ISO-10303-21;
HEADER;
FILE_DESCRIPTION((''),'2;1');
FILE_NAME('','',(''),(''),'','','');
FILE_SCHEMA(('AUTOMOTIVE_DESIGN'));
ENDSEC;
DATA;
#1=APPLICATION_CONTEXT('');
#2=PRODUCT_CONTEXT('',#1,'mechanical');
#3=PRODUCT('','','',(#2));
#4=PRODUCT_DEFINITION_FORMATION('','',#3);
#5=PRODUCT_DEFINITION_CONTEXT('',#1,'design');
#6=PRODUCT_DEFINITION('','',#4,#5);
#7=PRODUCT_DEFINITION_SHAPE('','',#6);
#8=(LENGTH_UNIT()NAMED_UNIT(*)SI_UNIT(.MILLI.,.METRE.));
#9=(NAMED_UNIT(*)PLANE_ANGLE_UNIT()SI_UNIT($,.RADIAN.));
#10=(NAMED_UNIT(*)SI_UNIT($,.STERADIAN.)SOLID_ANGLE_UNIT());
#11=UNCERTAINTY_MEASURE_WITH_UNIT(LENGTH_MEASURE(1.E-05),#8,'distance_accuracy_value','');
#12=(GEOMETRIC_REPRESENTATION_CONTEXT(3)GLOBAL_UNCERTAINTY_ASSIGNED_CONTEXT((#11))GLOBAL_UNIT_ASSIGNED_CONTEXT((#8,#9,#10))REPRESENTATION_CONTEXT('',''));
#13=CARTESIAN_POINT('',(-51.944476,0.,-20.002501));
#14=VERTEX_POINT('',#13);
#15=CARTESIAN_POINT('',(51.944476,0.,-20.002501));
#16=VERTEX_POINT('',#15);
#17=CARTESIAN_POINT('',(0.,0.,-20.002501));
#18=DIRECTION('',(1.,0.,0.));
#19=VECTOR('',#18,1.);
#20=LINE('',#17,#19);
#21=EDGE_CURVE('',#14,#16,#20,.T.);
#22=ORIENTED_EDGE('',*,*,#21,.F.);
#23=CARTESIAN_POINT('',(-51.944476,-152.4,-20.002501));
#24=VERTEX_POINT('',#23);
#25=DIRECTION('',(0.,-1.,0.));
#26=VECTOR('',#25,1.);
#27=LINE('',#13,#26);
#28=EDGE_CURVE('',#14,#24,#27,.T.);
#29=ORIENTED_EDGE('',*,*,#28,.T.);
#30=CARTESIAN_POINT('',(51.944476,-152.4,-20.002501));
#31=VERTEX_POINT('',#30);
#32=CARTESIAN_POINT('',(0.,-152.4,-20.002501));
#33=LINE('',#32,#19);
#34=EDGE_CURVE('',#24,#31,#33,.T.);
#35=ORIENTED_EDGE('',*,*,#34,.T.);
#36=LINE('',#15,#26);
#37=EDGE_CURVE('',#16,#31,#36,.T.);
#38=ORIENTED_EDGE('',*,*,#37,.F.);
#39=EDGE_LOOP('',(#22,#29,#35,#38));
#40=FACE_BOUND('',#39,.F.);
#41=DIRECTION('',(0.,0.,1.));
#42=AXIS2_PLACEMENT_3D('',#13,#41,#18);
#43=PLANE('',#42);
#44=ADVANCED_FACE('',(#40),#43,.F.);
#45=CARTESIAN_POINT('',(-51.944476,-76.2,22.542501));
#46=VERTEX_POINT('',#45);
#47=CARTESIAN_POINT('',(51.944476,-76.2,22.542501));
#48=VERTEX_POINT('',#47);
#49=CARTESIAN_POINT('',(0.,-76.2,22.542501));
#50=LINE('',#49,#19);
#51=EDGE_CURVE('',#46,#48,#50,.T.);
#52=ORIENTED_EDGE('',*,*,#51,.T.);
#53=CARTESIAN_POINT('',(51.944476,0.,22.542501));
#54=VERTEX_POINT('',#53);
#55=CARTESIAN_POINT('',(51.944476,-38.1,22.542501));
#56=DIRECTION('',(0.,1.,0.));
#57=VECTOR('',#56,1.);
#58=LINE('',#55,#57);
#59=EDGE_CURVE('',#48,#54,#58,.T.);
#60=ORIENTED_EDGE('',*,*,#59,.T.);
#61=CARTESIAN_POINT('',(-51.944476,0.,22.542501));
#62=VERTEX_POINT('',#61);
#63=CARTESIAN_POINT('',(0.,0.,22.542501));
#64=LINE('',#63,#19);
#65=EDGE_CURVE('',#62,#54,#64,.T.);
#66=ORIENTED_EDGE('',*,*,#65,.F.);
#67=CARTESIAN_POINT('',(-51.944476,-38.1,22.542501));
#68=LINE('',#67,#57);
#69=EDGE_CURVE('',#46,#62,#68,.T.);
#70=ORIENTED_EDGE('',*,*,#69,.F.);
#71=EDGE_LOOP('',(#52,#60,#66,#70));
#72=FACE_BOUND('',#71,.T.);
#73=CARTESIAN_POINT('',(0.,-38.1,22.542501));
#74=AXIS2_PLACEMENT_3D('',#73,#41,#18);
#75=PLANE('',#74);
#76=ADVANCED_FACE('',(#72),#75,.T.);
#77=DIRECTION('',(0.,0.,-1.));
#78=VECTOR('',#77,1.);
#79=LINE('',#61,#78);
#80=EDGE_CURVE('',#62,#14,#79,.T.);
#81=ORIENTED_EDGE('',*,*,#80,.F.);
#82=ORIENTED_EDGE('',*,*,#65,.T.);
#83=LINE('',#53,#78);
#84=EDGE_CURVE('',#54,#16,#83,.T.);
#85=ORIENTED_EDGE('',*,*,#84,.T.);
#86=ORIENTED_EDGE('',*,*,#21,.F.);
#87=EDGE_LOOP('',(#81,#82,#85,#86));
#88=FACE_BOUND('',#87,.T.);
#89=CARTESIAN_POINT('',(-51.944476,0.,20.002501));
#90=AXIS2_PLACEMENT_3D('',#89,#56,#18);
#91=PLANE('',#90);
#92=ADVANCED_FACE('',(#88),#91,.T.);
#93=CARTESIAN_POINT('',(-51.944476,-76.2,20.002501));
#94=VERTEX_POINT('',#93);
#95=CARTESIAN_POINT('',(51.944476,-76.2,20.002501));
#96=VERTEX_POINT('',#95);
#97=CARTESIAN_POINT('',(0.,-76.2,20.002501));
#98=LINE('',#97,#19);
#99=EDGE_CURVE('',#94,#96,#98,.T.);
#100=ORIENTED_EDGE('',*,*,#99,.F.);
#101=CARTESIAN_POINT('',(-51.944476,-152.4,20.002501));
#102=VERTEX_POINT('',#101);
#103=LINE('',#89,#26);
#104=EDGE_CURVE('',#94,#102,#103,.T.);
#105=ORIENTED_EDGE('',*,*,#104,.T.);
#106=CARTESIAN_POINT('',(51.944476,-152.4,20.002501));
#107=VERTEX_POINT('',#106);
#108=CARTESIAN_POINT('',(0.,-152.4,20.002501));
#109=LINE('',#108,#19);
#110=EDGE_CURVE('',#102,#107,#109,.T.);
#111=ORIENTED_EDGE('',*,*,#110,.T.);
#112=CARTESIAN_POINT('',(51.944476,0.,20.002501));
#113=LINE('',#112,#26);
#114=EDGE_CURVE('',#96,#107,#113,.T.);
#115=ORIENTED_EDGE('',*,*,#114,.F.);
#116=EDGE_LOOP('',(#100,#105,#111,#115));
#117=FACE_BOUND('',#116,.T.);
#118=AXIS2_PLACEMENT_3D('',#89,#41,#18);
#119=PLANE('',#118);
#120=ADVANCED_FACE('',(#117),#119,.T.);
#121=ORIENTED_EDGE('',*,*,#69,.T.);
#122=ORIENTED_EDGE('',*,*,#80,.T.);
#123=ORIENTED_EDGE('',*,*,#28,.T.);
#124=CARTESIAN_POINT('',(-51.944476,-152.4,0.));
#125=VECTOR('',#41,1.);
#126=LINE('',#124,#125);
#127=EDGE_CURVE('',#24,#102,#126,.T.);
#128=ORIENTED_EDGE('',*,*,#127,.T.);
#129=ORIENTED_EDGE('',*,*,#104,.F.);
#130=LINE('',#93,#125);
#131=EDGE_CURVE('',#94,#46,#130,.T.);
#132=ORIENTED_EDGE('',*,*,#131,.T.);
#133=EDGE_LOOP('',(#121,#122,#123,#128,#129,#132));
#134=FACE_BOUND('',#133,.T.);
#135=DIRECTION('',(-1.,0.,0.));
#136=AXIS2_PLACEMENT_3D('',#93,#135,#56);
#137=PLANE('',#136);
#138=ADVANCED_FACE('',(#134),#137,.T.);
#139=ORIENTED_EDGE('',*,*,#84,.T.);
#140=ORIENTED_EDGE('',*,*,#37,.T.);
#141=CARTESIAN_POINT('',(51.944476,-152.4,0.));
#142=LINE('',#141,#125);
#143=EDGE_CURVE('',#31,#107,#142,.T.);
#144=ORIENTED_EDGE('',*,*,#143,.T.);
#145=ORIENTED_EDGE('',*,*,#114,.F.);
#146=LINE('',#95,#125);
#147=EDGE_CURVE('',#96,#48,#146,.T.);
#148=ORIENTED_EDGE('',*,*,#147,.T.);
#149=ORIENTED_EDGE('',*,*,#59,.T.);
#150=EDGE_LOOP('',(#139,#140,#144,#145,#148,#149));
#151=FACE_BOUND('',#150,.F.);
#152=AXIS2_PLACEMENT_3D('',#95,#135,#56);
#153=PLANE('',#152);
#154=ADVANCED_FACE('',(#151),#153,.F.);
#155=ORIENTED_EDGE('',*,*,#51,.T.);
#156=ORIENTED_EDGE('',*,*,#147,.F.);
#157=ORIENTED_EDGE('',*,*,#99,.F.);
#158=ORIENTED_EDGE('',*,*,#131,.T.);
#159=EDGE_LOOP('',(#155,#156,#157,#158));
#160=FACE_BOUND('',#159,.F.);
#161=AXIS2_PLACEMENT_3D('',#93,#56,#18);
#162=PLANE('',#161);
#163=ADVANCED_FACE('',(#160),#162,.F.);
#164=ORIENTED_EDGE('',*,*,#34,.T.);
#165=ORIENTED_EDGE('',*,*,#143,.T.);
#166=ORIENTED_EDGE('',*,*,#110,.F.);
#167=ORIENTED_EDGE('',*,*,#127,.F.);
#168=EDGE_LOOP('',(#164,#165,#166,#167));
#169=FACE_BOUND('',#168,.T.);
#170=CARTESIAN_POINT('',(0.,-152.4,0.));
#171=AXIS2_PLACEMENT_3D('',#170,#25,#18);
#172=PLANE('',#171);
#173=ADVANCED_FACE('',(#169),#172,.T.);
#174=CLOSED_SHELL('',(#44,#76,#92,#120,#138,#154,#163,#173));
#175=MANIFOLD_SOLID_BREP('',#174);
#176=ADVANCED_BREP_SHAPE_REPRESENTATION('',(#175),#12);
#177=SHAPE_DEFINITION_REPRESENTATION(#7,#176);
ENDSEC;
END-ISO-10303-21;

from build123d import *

# Parameters (mm, degrees)
F0_W     = 103.888952
F0_H     = 40.005002
F1_DEPTH = 152.4
F2_W     = 103.888952
F2_H     = 76.2
F3_DEPTH = 2.54


with BuildPart() as f1:
    # F0 (on Front) → F1 (new body)
    with BuildSketch(Plane.XZ):
        Rectangle(F0_W, F0_H)
    extrude(amount=F1_DEPTH)

    # F2 (on face) → F3 (join)
    with BuildSketch(Plane.XY.offset(20.002501)):
        with Locations((0, -38.1)):
            Rectangle(F2_W, F2_H)
    extrude(amount=F3_DEPTH)


solid = f1.part
